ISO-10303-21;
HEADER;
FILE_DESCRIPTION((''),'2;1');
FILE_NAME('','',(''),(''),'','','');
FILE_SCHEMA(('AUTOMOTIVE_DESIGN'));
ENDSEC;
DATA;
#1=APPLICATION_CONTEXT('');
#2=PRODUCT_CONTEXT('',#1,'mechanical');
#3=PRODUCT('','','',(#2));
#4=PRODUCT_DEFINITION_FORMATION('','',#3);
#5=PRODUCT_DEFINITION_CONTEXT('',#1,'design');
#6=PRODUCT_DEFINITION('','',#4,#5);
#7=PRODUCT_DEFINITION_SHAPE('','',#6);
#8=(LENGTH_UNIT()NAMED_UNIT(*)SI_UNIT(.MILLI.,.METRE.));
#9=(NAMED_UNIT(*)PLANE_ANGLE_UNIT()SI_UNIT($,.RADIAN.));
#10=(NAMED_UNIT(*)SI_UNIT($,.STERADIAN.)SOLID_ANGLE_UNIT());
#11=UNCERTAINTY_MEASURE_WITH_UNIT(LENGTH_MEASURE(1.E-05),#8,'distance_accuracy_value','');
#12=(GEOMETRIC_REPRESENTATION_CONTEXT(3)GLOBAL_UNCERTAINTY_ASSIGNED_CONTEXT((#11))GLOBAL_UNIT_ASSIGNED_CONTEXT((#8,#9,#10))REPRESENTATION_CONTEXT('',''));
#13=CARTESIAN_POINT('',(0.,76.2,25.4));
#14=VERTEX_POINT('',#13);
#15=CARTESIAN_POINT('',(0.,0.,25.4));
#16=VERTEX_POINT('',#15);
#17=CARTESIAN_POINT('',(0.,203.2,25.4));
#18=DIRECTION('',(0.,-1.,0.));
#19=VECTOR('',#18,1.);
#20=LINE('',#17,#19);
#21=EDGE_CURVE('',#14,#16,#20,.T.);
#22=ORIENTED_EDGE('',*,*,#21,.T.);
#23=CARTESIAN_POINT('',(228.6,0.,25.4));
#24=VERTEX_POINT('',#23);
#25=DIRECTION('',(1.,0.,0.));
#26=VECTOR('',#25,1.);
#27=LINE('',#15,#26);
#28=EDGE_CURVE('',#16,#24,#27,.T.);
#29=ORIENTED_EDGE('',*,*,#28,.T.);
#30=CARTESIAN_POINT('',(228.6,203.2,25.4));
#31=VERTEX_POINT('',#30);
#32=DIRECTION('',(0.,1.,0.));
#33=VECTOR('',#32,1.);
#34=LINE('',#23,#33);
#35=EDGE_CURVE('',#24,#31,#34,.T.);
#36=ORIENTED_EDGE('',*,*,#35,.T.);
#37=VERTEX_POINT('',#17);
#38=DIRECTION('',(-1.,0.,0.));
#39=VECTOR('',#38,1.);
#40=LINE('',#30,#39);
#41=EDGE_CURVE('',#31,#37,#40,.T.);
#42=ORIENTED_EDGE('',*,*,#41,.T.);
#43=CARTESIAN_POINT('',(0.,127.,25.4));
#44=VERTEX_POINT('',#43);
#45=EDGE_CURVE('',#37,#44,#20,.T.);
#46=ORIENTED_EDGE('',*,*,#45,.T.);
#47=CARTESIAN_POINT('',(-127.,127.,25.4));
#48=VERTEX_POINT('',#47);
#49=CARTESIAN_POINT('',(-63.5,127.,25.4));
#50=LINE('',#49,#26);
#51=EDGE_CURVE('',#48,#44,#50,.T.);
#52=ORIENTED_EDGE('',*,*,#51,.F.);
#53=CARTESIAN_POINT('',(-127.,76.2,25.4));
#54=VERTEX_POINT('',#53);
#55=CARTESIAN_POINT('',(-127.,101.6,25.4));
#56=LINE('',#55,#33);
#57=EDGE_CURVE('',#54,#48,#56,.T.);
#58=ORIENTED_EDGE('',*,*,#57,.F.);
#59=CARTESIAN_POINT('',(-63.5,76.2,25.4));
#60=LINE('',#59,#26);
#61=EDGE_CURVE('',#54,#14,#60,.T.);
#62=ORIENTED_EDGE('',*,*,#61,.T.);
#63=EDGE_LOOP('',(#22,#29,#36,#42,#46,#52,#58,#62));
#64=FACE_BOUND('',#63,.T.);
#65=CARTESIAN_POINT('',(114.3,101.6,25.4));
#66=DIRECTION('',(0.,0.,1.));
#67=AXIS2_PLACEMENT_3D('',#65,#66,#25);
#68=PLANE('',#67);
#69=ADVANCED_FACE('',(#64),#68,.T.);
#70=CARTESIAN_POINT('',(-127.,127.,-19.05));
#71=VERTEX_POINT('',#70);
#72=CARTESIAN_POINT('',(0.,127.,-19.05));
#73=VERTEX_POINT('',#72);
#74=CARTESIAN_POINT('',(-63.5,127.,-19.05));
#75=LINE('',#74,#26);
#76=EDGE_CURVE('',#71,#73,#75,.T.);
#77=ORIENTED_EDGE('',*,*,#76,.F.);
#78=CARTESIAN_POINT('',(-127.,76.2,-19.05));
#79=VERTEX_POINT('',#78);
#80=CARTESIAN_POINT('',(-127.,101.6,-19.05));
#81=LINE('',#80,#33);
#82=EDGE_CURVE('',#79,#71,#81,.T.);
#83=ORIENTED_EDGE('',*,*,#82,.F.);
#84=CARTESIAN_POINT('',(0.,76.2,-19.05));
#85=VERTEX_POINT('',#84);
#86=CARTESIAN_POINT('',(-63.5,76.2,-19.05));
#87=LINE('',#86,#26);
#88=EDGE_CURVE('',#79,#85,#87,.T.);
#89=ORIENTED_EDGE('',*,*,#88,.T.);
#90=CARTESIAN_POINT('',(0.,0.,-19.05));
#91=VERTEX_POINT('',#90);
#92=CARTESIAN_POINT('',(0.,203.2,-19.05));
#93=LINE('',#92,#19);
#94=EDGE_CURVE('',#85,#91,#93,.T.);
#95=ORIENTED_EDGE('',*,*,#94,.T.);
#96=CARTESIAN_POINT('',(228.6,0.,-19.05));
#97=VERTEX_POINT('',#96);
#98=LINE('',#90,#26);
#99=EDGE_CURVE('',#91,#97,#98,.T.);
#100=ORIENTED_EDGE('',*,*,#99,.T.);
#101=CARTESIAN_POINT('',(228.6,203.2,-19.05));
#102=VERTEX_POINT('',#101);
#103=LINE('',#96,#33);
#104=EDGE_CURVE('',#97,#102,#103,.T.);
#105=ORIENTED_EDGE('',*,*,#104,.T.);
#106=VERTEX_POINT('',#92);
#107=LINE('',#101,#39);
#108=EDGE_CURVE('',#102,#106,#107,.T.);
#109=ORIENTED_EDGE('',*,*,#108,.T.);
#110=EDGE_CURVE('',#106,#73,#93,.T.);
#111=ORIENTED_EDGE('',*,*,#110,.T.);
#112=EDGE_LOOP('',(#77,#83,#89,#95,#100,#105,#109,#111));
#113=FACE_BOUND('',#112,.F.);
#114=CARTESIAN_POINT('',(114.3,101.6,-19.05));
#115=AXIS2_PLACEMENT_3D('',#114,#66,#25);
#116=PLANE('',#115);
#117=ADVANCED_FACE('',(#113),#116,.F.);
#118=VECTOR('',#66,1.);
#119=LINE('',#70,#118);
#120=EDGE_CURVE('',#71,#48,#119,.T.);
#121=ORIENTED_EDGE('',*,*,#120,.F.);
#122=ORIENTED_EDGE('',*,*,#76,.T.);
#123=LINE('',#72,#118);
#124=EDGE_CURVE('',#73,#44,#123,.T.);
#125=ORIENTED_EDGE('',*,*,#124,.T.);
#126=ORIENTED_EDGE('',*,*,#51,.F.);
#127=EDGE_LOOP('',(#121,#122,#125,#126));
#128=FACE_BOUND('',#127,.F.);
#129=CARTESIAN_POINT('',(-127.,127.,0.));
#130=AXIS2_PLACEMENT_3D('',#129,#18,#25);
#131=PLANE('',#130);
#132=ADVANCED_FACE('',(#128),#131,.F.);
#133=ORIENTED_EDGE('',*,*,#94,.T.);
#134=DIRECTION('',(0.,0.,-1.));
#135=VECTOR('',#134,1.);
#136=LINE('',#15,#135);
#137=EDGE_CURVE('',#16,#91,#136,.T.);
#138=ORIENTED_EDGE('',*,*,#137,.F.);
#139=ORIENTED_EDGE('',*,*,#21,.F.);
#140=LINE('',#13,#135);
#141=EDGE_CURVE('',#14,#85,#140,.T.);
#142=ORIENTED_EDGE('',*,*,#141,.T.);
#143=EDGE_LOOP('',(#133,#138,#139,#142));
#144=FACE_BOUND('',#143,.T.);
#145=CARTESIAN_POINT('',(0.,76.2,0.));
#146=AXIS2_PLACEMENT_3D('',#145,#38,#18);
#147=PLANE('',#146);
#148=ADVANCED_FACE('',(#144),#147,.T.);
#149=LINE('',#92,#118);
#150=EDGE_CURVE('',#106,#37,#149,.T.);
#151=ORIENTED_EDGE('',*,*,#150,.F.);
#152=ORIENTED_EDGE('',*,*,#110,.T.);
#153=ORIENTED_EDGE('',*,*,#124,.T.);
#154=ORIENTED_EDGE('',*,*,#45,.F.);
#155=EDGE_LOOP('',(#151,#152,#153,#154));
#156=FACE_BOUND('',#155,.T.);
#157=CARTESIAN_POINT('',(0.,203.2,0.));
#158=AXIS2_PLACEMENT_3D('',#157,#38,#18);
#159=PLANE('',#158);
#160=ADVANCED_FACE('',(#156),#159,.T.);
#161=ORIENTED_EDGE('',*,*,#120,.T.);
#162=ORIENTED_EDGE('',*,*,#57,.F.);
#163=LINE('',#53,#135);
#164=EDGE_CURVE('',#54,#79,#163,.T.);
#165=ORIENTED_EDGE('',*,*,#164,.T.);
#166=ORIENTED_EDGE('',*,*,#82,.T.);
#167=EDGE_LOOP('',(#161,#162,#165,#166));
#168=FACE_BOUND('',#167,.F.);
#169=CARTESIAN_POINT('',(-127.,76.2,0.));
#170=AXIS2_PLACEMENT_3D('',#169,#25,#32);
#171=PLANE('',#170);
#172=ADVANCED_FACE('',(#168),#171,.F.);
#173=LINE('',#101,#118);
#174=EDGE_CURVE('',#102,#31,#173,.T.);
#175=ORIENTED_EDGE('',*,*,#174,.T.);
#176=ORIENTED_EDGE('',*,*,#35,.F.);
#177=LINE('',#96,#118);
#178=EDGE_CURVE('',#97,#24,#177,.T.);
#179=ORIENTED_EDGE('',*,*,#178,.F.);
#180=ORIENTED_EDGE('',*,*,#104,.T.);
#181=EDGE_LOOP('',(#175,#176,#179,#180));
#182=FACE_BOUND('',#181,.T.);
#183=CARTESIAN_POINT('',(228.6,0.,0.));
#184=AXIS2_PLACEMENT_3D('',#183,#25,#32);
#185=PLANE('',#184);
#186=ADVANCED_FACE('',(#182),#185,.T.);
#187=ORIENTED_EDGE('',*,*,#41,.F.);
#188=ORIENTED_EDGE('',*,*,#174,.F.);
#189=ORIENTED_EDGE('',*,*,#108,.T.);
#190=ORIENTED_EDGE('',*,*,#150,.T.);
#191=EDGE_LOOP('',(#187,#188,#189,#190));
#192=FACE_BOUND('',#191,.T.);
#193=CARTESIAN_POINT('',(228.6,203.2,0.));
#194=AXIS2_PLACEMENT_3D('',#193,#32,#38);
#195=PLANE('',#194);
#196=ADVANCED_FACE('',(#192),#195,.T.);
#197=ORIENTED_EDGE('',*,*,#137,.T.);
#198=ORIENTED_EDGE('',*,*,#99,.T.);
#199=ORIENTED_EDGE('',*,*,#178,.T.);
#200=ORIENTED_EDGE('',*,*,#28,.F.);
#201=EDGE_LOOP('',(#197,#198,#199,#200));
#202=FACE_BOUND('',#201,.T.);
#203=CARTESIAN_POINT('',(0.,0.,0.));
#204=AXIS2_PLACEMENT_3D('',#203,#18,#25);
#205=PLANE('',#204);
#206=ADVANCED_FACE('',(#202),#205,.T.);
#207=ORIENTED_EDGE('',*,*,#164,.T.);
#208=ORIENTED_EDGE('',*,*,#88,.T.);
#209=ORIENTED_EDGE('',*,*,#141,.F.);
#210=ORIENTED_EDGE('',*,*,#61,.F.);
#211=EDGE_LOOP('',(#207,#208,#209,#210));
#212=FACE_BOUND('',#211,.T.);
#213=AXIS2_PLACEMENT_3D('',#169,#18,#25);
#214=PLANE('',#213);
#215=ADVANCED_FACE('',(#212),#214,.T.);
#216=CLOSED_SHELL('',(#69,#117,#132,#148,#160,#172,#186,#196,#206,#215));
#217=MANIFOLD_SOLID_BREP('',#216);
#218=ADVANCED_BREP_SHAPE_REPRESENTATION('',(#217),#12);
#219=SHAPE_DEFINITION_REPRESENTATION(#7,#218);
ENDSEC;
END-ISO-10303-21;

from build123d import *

# Parameters (mm, degrees)
F0_W          = 127
F0_H          = 50.8
F1_DEPTH      = 25.4
F1_DEPTH_BACK = 19.05


with BuildPart() as f1:
    # F0 (on Top) → F1 (new body, two sides)
    with BuildSketch(Plane.XY) as f1_sk:
        Polygon((0, 76.2), (0, 0), (228.6, 0), (228.6, 203.2), (0, 203.2), (0, 127), align=None)
        with Locations((-63.5, 101.6)):
            Rectangle(F0_W, F0_H)
    extrude(amount=F1_DEPTH)
    extrude(f1_sk.sketch, amount=-F1_DEPTH_BACK)


solid = f1.part
